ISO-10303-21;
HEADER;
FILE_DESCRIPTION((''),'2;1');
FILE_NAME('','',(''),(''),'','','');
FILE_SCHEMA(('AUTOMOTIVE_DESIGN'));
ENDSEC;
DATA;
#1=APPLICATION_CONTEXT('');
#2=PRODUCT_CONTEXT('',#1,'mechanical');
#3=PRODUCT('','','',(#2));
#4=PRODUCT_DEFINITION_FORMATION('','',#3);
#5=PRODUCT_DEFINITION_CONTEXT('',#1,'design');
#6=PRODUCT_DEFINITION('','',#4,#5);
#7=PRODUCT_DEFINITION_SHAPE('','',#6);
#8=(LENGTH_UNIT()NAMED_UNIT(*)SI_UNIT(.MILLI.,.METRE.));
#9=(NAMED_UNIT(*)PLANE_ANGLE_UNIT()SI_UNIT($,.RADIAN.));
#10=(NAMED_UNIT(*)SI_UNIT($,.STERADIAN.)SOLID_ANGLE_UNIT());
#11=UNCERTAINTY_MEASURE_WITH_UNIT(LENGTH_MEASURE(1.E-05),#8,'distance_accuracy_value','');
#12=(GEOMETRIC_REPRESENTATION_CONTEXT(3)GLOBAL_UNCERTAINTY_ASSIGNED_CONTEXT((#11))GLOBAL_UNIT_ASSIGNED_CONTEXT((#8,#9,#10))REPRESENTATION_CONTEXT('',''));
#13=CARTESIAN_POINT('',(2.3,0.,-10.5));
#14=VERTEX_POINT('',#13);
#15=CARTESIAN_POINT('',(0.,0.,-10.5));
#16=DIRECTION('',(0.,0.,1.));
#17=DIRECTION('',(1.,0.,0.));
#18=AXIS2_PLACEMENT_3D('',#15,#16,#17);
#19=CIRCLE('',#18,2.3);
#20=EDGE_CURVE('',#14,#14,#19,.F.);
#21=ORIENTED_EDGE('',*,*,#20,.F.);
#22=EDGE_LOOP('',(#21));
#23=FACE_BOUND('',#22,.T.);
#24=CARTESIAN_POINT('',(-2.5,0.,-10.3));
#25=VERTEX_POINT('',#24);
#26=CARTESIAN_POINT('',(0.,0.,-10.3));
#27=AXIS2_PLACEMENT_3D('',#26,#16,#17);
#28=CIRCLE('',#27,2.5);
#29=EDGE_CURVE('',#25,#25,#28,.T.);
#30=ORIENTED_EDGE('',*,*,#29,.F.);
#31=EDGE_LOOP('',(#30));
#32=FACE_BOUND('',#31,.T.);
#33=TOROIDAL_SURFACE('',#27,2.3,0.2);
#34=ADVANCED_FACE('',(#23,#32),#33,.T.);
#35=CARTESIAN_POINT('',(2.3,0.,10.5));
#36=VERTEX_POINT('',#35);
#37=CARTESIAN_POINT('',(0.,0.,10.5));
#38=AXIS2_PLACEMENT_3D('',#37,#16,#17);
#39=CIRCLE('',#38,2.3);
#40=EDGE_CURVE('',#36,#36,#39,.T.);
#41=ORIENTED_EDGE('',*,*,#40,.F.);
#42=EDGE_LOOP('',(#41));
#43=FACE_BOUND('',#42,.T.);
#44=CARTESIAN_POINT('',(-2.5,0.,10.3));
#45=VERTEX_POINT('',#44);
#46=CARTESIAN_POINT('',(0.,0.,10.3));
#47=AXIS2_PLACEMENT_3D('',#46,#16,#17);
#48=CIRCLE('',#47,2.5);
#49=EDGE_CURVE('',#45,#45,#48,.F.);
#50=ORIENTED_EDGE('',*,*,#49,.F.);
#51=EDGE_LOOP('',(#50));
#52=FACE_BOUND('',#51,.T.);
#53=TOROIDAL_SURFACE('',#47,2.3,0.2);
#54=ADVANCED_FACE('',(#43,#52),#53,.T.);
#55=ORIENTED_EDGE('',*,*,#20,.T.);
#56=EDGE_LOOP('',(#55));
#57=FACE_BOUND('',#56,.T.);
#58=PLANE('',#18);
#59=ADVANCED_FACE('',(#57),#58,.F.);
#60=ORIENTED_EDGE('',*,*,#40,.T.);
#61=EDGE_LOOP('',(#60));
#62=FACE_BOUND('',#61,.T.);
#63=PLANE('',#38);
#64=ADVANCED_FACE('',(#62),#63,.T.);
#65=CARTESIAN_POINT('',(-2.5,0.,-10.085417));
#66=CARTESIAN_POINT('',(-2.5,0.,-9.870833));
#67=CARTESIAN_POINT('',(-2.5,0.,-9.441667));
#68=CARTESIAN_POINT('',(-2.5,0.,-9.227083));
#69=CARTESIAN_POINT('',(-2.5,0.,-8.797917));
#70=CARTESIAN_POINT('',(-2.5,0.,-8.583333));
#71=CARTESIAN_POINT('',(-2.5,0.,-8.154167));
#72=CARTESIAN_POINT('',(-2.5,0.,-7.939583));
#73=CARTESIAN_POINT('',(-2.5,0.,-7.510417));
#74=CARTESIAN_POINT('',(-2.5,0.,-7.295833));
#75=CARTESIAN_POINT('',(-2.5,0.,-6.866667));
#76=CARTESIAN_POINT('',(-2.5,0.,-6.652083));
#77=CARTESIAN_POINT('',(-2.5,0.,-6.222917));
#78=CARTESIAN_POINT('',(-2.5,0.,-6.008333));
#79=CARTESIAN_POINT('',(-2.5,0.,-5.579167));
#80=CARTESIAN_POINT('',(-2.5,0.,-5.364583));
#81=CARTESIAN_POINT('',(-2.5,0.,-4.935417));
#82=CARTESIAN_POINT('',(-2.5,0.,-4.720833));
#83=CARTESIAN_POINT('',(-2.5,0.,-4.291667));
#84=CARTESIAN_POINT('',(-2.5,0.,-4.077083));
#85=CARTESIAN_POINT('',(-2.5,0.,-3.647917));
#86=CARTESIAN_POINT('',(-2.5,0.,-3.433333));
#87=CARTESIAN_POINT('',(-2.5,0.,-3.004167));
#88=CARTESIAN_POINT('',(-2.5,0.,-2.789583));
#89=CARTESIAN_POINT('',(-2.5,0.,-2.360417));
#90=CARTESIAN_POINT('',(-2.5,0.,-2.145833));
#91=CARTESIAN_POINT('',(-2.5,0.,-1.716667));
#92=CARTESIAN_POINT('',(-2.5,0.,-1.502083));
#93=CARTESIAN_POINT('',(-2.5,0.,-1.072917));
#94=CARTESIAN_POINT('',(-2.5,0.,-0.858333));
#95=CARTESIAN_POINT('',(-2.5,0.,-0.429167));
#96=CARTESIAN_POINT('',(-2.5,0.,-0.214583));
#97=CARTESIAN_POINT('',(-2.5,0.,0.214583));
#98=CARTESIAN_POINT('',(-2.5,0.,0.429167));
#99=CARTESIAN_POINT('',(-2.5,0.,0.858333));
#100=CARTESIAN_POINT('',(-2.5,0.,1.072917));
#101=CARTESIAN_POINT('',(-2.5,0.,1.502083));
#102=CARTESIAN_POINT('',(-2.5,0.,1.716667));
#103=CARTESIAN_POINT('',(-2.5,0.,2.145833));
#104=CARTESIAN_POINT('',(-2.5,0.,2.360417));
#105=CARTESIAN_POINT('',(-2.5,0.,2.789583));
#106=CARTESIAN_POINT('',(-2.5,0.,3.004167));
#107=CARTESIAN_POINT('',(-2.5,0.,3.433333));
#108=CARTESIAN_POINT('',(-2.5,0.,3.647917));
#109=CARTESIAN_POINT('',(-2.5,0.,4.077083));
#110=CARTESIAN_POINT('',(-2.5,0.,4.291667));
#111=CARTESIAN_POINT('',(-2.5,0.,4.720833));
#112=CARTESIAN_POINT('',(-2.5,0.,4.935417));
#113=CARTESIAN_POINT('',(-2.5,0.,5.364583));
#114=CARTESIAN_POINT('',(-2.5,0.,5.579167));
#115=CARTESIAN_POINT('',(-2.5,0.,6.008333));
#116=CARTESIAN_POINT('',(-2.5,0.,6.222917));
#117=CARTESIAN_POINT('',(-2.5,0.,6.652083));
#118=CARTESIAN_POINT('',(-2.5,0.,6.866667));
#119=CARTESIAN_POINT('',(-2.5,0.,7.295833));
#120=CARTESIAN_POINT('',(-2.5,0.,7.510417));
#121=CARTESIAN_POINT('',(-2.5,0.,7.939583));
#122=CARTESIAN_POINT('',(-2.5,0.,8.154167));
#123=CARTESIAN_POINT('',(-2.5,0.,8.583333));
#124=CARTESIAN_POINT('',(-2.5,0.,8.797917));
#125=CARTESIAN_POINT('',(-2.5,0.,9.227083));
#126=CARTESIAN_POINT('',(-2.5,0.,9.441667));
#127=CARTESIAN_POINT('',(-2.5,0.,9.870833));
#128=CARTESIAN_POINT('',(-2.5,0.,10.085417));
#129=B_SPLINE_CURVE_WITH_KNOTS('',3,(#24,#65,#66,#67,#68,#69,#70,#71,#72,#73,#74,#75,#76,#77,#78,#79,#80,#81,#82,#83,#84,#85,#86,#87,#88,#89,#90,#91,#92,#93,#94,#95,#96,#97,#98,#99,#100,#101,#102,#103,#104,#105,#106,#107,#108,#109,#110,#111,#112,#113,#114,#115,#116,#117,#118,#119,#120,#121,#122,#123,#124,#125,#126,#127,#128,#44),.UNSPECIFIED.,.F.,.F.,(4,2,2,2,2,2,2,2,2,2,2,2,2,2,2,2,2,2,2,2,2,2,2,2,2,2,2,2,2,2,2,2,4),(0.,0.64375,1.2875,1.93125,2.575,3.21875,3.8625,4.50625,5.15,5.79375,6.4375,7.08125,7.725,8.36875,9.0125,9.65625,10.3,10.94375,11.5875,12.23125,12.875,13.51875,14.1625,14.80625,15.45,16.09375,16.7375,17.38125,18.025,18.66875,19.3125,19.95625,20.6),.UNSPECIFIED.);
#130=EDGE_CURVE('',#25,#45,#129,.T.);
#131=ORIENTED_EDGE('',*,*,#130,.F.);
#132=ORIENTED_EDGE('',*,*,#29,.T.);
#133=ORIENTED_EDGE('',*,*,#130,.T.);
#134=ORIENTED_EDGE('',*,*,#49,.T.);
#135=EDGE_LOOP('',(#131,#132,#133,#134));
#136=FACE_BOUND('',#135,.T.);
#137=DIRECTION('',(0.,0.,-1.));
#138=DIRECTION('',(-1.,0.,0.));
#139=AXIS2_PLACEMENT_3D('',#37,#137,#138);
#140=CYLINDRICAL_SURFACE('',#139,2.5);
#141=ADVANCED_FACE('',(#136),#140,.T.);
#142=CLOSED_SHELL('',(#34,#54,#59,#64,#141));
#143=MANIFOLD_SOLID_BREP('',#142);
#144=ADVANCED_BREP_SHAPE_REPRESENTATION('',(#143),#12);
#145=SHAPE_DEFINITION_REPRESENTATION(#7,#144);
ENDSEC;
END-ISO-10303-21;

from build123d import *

# Parameters (mm, degrees)
ESQUISSE1_R      = 2.5
EXTRUSION1_DEPTH = 10.5
CONG_1_R         = 0.2


with BuildPart() as part:
    # Esquisse1 → Extrusion1 (new, symmetric)
    with BuildSketch(Plane.XY):
        with Locations(Location((0, 0, 0), (0, 0, 180))):
            Circle(ESQUISSE1_R)
    extrude(amount=EXTRUSION1_DEPTH, both=True)

    # Congé1
    cong_1_edges = [part.edges().sort_by_distance(p)[0] for p in [
        (2.5, 0, -10.5),
        (2.5, 0, 10.5),
    ]]
    fillet(cong_1_edges, radius=CONG_1_R)


solid = part.part
